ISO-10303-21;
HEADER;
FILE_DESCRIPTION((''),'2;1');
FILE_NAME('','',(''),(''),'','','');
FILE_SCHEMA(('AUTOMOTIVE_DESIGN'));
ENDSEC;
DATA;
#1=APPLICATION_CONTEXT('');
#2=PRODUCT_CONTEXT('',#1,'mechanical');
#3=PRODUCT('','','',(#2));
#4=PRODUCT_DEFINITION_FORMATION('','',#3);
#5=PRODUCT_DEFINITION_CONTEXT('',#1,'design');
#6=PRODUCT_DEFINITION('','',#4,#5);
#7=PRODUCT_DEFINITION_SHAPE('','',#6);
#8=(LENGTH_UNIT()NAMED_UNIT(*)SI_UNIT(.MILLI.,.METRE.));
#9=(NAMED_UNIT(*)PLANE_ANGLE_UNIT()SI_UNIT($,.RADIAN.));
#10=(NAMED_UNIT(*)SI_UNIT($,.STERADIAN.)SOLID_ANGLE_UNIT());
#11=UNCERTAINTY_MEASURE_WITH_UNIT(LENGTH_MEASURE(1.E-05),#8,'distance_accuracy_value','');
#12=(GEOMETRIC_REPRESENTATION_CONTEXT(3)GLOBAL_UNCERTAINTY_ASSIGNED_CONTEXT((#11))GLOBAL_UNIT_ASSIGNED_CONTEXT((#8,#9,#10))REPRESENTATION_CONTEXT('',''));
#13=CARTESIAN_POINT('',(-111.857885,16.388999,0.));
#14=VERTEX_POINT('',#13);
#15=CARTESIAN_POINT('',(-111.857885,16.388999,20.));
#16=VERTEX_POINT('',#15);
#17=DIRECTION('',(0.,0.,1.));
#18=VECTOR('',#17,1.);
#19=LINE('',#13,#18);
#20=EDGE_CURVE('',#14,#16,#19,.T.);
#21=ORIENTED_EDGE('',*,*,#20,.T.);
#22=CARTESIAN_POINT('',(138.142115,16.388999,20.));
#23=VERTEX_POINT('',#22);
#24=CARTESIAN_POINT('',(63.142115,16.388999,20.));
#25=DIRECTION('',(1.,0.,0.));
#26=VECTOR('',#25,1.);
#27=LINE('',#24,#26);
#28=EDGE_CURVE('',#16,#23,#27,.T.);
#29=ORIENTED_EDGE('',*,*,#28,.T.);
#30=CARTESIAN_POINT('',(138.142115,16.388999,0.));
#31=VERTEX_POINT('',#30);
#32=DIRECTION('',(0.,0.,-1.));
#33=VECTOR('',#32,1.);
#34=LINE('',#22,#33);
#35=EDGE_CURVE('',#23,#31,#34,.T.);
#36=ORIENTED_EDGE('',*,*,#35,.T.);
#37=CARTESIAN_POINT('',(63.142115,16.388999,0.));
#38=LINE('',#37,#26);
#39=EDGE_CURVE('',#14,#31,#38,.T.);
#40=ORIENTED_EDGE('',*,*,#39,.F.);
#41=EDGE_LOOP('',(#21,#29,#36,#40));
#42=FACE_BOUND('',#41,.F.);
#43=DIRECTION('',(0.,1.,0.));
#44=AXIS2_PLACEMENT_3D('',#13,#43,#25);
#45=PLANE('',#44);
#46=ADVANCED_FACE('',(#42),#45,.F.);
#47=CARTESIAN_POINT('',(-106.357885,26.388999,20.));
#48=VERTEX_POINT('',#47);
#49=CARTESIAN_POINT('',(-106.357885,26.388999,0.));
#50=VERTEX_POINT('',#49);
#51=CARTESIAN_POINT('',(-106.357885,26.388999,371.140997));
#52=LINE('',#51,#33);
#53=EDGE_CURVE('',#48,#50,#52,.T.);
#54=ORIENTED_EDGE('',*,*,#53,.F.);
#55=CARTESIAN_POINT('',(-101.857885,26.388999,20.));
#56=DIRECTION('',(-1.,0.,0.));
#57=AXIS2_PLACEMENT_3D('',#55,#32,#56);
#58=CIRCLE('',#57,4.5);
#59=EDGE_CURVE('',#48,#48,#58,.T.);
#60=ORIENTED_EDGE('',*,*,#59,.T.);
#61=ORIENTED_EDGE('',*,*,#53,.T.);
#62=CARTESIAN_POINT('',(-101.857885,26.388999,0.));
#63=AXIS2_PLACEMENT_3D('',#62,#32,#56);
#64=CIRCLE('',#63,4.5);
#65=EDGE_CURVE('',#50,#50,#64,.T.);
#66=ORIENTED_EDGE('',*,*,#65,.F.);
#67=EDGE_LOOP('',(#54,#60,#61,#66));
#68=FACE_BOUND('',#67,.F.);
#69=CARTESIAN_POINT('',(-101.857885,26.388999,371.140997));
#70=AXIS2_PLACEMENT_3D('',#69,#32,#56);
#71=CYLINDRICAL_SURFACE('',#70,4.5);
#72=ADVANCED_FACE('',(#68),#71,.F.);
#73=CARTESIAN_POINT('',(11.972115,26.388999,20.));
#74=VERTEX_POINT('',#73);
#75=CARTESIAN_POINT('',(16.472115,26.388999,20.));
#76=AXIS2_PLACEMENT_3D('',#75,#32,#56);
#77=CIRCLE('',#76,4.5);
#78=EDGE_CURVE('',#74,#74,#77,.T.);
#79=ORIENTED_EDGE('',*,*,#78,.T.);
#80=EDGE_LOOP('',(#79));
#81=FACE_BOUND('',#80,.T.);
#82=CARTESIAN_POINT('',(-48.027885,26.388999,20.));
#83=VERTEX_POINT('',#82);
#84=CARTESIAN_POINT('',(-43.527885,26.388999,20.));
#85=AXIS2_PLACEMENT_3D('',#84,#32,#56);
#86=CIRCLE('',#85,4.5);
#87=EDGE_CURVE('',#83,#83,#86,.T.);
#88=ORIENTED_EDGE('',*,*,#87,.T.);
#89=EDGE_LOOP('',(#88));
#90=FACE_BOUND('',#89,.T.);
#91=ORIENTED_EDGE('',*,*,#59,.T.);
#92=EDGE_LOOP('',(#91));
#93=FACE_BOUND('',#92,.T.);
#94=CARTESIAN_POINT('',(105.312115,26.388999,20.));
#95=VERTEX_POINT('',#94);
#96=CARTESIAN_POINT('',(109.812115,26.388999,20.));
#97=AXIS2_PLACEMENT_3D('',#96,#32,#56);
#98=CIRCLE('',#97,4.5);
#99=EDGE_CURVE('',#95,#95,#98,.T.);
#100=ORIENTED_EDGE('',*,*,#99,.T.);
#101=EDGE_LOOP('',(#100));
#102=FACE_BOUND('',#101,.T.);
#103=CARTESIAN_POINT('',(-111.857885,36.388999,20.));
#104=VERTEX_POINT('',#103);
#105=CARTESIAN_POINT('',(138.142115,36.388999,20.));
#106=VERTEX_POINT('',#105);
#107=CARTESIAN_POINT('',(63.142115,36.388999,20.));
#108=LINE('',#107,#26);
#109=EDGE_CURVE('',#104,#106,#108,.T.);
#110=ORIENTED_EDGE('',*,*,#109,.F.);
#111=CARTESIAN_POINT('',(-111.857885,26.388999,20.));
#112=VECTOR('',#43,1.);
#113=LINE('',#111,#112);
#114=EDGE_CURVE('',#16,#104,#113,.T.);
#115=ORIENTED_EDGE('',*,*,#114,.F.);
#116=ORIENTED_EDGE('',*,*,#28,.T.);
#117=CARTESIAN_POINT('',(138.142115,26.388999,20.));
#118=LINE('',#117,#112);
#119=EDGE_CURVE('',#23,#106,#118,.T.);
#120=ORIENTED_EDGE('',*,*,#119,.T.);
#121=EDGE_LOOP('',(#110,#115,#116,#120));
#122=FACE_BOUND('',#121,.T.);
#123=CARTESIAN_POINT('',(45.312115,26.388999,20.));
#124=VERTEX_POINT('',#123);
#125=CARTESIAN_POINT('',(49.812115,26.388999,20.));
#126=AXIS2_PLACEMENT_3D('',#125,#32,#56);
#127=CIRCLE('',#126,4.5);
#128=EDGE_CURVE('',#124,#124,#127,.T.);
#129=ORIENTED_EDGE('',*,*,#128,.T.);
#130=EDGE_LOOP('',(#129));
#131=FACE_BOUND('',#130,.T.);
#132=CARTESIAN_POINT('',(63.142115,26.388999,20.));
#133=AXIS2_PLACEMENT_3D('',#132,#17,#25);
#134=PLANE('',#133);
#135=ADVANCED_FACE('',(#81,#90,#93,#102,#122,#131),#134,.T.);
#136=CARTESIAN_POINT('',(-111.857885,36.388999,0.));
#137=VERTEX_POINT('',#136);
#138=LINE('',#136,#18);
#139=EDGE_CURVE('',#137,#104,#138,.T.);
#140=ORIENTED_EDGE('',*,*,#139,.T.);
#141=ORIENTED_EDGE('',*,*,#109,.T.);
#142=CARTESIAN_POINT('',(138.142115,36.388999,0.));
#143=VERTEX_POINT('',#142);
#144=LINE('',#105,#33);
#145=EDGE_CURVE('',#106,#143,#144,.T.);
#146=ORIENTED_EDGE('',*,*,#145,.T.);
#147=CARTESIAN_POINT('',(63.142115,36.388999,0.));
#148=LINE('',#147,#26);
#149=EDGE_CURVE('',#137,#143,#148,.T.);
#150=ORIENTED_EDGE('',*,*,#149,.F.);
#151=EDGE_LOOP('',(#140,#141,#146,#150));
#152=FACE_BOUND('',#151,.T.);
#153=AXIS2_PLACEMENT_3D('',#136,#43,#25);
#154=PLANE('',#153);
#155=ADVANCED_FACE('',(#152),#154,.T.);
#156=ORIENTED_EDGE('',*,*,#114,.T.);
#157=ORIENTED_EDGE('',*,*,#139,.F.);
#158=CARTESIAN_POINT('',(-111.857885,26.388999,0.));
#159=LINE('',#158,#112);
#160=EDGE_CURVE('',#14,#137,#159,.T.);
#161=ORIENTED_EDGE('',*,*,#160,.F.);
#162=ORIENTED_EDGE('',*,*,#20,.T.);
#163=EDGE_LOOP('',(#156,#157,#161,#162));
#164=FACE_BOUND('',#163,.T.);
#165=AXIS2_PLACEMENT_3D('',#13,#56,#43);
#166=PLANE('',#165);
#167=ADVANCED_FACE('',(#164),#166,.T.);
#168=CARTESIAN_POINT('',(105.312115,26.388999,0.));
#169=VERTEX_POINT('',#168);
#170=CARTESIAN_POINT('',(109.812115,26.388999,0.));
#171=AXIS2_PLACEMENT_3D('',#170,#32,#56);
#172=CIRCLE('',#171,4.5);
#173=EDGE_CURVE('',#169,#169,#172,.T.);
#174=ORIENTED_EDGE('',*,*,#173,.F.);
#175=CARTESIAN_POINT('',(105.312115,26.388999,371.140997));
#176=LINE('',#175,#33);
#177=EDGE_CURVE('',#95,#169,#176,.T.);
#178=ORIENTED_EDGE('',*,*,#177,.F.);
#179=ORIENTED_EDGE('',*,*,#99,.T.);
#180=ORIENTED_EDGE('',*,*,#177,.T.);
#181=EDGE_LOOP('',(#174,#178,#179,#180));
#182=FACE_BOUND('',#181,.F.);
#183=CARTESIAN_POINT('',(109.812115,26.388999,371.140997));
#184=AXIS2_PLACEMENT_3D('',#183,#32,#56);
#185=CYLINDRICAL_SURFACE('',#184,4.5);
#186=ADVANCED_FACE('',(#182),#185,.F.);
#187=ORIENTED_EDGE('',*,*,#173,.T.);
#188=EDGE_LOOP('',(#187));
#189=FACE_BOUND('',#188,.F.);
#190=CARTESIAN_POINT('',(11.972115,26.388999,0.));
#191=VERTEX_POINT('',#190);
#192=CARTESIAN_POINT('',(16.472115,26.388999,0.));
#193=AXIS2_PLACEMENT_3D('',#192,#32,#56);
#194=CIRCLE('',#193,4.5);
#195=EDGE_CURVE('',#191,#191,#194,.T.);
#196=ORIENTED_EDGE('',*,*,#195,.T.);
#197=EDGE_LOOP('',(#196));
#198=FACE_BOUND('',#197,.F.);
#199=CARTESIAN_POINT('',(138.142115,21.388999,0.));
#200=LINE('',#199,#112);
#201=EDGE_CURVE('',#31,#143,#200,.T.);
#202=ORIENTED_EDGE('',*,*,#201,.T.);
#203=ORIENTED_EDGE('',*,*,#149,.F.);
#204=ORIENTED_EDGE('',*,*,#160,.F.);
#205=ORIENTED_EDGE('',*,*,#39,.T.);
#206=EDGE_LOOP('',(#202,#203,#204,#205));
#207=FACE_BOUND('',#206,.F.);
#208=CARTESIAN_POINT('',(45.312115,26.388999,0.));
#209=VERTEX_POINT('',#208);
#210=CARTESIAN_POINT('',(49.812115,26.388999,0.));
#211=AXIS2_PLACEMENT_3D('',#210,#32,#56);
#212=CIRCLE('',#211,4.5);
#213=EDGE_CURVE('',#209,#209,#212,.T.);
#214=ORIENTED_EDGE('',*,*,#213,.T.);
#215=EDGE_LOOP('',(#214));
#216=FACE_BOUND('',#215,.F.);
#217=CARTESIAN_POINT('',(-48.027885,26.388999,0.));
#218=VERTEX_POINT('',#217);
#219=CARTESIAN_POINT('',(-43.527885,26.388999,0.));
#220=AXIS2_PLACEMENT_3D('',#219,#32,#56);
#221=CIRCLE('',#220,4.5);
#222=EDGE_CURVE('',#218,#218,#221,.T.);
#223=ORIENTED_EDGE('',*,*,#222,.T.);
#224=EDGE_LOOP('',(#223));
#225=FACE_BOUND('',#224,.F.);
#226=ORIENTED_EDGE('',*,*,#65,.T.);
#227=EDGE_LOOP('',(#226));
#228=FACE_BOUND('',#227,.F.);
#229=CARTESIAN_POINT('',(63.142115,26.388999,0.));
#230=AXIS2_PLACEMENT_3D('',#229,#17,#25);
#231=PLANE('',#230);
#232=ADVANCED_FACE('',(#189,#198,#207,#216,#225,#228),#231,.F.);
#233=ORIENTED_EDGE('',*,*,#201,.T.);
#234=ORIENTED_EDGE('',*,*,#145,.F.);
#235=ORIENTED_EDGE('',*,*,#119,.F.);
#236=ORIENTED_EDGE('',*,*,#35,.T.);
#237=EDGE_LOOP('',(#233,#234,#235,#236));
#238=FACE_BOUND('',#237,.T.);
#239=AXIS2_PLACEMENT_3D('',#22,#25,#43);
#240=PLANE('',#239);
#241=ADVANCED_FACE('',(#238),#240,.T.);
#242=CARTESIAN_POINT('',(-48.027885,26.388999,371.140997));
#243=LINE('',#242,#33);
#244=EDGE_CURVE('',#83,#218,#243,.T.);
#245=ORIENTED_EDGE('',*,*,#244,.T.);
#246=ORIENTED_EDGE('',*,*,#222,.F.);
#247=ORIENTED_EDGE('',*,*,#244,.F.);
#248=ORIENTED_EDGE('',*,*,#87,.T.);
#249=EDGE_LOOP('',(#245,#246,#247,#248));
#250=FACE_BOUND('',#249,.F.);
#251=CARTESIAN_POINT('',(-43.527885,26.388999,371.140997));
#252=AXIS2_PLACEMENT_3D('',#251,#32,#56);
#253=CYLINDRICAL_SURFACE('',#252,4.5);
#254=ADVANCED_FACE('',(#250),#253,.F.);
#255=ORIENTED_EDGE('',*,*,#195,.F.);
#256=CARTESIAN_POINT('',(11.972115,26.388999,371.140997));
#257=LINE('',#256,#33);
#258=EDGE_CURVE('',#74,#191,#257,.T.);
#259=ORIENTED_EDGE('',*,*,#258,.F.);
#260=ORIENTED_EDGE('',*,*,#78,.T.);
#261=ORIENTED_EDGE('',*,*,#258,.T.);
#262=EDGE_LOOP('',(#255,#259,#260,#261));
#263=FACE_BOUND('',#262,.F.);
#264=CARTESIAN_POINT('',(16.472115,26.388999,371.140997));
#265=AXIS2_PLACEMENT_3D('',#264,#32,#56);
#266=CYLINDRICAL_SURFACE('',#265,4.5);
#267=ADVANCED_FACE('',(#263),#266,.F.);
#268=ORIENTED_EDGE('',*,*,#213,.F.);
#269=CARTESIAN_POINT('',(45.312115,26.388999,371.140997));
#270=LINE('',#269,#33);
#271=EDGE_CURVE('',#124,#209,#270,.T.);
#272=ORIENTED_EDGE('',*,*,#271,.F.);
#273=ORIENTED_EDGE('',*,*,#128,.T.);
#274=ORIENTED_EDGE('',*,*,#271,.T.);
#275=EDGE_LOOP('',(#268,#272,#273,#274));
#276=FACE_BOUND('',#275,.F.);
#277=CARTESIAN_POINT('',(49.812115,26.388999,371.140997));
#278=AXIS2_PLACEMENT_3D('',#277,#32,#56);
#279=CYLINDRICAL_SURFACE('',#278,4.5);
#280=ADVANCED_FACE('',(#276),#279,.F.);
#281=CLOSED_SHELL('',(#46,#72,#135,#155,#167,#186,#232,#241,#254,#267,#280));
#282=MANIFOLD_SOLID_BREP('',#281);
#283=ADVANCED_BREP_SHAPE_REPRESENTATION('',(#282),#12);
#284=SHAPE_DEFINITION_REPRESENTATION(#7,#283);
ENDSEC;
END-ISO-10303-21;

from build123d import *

# Parameters (mm, degrees)
F0_W     = 350
F0_H     = 20
F1_DEPTH = 20
F3_D     = 9
F5_D     = 9
F7_D     = 9
F8_W     = 100
F8_H     = 20
F8_R     = 4.5
F9_DEPTH = 25


with BuildPart() as f1:
    # F0 (on Top) → F1 (new body)
    with BuildSketch(Plane.XY):
        with Locations((63.1421148777, 26.3889993745)):
            Rectangle(F0_W, F0_H)
    extrude(amount=F1_DEPTH)

    # F3 (through all)
    with Locations(Plane.XY.offset(20)):
        with Locations((-43.5278851223, 26.3889993745), (49.8121148777, 26.3889993745)):
            Hole(F3_D / 2)

    # F5 (through all)
    with Locations(Plane.XY.offset(20)):
        with Locations((-101.8578851223, 26.3889993745), (228.1421148777, 26.3889993745)):
            Hole(F5_D / 2)

    # F7 (through all)
    with Locations(Plane.XY.offset(20)):
        with Locations((16.4721148777, 26.3889993745), (109.8121148777, 26.3889993745)):
            Hole(F7_D / 2)

    # F8 (on face) → F9 (cut)
    with BuildSketch(Plane.XY.offset(20)):
        with Locations((188.1421148777, 26.3889993745)):
            Rectangle(F8_W, F8_H)
        with Locations((228.1421148777, 26.3889993745)):
            Circle(F8_R, mode=Mode.SUBTRACT)
    extrude(amount=-F9_DEPTH, mode=Mode.SUBTRACT)


solid = f1.part
